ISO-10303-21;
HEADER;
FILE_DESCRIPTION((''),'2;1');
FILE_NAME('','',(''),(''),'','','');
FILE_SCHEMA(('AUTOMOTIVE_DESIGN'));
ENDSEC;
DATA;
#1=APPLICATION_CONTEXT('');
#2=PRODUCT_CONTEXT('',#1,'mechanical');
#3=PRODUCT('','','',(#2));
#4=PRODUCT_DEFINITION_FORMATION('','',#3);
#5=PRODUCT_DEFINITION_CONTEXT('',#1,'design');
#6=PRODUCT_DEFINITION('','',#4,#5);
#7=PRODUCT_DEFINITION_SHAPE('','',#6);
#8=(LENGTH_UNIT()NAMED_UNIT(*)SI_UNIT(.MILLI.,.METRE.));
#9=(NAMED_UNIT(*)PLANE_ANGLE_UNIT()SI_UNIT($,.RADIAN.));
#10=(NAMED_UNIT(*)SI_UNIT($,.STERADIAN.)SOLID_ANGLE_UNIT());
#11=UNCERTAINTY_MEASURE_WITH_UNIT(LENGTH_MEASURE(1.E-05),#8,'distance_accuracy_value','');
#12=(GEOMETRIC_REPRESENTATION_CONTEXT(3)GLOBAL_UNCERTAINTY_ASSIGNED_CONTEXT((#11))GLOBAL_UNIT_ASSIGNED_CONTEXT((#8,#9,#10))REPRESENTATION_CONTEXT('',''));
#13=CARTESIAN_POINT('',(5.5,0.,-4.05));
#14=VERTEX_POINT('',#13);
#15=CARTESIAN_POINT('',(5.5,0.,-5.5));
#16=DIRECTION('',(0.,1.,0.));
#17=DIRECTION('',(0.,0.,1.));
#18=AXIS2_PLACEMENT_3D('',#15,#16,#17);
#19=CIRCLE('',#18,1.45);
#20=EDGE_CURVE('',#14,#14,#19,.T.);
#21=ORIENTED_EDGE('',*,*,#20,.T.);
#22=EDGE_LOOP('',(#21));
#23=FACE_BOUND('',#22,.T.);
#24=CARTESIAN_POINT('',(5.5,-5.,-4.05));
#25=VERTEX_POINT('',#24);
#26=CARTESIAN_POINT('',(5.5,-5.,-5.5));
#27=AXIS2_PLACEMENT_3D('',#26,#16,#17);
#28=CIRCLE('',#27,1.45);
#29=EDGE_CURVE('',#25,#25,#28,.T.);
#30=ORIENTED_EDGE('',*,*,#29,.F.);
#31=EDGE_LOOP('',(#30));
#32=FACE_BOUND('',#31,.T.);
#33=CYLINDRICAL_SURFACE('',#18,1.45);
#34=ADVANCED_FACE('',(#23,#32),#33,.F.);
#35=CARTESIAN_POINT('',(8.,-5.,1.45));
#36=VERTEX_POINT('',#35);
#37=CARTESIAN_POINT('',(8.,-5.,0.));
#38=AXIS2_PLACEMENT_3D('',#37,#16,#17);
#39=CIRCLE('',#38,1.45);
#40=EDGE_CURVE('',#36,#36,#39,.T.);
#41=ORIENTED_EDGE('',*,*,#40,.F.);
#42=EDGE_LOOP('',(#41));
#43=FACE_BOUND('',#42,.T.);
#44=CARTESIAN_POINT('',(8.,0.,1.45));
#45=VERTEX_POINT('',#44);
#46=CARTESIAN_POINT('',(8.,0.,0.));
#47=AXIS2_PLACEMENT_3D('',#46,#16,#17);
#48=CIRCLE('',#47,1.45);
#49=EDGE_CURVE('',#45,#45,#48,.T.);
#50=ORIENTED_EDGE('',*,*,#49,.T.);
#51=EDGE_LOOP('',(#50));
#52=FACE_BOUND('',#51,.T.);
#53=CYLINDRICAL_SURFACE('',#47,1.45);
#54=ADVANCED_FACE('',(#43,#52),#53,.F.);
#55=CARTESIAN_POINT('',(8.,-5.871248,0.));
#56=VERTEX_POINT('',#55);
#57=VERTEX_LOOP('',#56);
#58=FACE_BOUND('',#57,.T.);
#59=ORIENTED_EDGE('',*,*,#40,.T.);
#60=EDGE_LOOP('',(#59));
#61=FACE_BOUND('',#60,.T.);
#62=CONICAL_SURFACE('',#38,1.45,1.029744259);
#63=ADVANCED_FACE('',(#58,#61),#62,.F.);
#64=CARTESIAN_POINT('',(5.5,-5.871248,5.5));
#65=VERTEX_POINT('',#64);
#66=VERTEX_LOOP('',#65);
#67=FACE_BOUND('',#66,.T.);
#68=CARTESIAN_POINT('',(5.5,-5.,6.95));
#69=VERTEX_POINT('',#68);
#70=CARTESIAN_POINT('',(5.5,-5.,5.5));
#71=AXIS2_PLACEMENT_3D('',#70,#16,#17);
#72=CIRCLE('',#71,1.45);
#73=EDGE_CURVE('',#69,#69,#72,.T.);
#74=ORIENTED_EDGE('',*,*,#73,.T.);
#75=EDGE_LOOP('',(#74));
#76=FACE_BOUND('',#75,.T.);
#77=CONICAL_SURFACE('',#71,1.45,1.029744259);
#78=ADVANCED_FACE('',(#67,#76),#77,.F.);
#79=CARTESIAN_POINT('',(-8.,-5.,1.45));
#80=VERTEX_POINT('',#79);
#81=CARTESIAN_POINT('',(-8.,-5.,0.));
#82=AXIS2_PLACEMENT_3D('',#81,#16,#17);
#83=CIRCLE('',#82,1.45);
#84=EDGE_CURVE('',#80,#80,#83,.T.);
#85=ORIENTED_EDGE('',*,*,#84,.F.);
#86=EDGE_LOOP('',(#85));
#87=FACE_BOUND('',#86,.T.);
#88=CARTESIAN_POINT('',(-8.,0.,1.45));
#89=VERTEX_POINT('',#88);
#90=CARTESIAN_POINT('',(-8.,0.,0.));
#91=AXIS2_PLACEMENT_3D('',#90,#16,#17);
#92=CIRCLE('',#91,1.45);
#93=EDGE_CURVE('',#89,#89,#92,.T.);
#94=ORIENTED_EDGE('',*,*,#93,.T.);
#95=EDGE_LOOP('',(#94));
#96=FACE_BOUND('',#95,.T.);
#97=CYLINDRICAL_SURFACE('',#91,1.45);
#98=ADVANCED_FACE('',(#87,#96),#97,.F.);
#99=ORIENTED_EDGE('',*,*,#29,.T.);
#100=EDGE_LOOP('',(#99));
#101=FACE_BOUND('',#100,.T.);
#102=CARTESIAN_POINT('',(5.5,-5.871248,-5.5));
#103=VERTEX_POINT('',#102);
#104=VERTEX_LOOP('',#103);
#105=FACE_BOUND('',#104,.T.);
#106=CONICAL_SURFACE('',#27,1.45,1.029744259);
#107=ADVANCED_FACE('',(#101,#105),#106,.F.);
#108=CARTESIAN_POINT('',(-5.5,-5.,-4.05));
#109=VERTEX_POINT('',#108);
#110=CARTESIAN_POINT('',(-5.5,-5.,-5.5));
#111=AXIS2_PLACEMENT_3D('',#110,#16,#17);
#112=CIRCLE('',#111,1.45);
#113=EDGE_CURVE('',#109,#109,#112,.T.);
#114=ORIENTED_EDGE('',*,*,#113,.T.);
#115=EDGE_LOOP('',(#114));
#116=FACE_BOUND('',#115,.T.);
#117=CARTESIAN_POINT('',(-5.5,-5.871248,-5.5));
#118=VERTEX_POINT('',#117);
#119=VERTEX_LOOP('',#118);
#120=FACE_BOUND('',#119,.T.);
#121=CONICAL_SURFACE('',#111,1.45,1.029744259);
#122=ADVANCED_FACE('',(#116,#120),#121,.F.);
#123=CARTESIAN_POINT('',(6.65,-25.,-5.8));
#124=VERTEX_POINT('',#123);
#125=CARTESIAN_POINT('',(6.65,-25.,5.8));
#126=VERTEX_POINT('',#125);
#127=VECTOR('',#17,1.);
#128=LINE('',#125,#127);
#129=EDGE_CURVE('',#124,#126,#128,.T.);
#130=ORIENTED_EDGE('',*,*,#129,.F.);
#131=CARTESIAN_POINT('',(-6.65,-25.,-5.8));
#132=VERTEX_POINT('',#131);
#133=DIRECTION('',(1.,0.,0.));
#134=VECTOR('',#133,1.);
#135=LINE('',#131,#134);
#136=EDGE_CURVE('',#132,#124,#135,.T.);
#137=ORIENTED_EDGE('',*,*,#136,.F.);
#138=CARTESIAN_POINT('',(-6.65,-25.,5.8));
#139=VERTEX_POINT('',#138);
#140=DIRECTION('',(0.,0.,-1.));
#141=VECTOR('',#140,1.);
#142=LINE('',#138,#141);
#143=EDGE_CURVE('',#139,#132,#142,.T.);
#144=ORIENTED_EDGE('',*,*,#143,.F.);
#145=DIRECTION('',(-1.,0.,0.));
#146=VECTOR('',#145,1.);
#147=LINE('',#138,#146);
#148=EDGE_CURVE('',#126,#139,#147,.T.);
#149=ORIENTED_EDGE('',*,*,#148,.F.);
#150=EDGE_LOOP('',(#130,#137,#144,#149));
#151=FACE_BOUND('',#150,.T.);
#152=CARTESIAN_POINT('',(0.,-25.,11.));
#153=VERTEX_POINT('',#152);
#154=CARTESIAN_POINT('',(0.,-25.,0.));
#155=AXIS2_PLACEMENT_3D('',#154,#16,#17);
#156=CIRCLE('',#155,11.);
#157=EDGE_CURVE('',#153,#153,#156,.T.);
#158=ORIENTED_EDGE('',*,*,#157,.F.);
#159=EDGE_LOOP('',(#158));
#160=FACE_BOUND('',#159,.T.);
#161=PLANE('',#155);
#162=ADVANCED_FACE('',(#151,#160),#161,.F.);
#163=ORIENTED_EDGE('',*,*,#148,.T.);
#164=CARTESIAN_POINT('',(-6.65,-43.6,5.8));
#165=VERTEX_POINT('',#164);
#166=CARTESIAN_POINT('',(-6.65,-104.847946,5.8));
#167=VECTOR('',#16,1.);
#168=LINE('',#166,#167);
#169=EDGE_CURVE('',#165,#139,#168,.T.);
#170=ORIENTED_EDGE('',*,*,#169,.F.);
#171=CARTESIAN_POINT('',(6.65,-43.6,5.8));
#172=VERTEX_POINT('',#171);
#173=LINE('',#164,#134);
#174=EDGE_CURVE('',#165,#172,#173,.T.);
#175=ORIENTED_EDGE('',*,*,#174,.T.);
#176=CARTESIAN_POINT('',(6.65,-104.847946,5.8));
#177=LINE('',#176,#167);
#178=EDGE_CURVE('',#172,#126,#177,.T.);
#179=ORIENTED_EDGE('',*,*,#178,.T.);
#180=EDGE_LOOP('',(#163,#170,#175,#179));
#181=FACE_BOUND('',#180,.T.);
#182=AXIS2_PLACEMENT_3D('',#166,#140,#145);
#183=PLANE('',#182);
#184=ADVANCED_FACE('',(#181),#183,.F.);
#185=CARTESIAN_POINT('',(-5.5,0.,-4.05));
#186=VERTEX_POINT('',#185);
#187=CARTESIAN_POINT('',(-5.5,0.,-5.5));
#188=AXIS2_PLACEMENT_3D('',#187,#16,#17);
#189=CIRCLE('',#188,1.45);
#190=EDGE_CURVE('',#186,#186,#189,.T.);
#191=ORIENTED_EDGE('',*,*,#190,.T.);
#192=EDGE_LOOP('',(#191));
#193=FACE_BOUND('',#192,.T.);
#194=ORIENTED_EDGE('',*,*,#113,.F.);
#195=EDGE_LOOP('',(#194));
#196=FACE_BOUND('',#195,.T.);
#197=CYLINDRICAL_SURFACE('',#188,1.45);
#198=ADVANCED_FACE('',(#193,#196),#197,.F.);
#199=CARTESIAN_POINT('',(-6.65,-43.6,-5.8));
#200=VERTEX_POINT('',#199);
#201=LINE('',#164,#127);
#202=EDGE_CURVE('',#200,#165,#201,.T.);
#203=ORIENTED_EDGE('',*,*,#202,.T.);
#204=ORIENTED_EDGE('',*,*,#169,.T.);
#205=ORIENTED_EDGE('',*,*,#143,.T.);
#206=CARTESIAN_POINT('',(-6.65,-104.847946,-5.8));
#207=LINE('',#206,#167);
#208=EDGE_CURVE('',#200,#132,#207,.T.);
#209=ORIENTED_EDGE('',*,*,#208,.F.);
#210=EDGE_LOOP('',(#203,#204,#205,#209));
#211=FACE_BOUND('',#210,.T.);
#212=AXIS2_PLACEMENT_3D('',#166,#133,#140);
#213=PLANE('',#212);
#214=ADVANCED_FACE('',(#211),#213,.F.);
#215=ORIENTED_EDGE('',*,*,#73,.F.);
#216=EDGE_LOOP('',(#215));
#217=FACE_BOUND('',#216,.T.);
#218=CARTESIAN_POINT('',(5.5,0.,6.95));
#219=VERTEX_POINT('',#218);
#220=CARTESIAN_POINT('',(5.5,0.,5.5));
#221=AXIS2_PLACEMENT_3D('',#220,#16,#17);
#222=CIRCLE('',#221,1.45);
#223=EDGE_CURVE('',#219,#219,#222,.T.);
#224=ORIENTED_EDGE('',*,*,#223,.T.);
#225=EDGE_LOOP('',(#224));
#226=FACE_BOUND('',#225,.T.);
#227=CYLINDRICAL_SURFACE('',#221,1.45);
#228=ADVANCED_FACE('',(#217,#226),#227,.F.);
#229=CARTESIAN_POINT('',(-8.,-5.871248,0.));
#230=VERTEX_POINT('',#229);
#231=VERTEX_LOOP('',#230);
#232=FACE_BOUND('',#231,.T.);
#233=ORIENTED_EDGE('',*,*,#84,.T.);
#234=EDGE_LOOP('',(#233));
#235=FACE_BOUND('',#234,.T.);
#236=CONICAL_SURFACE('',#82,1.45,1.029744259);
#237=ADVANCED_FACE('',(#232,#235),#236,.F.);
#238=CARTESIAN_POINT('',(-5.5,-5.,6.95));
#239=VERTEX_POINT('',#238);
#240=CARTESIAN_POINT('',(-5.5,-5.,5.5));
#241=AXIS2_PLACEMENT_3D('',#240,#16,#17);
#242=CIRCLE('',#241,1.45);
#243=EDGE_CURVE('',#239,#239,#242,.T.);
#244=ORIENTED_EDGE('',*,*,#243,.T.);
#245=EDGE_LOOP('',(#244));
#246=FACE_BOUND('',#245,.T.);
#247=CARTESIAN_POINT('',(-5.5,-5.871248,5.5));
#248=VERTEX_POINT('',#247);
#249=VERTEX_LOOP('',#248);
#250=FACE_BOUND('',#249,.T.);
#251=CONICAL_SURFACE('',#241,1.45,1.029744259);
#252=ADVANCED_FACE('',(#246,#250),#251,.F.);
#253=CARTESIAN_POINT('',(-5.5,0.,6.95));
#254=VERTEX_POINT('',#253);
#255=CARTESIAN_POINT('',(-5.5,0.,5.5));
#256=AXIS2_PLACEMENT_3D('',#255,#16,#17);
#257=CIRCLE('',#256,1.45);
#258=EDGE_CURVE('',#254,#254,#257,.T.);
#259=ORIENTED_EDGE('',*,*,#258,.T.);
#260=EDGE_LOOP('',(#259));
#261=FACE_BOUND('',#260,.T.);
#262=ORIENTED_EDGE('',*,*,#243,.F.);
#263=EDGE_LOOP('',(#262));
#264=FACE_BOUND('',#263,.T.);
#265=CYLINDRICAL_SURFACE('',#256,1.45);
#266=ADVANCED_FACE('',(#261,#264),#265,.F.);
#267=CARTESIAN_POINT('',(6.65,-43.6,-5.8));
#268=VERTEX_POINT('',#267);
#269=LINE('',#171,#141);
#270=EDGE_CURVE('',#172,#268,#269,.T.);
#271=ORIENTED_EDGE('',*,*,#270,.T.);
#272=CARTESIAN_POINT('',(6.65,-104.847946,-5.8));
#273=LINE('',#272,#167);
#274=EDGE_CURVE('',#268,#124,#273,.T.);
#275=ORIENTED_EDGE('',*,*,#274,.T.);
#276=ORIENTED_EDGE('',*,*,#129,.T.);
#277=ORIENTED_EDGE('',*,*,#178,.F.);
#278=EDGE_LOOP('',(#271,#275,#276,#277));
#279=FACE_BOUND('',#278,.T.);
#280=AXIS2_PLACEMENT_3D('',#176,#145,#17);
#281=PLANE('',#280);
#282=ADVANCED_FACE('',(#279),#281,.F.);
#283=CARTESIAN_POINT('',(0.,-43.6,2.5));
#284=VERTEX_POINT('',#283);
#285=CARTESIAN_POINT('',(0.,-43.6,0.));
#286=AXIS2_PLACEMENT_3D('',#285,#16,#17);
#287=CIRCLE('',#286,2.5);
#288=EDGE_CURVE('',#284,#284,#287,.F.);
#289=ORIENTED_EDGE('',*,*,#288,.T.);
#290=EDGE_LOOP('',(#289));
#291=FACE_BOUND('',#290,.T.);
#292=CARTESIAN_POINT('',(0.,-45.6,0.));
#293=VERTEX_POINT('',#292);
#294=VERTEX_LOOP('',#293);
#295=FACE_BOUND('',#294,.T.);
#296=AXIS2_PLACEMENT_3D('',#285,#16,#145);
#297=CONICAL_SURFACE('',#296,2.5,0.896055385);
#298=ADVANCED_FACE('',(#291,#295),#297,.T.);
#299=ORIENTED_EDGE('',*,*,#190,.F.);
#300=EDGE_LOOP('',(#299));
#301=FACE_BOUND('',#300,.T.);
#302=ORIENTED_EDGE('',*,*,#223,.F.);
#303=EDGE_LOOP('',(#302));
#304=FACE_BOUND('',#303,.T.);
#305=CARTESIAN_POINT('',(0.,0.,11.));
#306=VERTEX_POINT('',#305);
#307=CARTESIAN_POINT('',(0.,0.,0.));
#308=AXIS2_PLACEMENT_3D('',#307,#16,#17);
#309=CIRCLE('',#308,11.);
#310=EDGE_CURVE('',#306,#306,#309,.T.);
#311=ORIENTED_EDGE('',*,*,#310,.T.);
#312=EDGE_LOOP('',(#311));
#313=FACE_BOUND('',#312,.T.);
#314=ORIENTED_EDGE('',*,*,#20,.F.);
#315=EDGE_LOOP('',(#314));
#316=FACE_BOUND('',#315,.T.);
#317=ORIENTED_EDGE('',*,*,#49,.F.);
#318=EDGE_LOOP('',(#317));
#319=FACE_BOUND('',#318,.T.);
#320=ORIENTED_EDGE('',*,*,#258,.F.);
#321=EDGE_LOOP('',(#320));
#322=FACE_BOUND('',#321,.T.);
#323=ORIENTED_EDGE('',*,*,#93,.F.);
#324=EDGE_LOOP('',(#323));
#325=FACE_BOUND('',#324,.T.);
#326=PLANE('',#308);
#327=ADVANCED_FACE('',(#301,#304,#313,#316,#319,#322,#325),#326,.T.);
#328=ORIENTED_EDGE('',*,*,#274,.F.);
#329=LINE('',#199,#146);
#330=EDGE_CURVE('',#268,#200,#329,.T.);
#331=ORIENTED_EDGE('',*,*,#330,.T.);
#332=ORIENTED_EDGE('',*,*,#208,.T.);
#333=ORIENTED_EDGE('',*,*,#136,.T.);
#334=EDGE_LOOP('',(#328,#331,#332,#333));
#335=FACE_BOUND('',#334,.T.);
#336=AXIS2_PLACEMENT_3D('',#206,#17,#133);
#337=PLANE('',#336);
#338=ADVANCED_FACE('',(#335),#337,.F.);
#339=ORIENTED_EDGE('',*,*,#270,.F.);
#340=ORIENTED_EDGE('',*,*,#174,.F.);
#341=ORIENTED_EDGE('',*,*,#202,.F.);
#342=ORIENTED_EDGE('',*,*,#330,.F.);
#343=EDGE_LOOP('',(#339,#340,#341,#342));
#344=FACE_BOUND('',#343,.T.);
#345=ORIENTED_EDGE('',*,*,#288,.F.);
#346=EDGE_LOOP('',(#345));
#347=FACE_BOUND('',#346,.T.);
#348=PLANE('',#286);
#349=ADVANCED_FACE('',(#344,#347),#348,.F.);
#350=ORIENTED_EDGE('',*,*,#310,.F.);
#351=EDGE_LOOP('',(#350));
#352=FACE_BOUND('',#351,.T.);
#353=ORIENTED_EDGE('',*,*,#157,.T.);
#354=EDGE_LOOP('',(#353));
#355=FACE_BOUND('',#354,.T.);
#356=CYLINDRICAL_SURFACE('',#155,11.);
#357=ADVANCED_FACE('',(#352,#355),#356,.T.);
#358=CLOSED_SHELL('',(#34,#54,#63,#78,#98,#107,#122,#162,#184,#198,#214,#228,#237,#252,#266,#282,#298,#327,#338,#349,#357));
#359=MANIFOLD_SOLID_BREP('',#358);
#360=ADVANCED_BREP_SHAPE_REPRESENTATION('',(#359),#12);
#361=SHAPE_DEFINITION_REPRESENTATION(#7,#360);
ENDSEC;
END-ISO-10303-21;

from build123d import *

# Parameters (mm, degrees)
SKETCH2_R                  = 11
BOSS_EXTRUDE1_DEPTH        = 25
SKETCH3_W                  = 13.3
SKETCH3_H                  = 11.6
BOSS_EXTRUDE2_DEPTH        = 18.6
M2_5_CLEARANCE_HOLE1_D     = 2.9
M2_5_CLEARANCE_HOLE1_DEPTH = 5
M2_5_CLEARANCE_HOLE1_TIP   = 0.871247898


with BuildPart() as part:
    # Sketch2 → Boss-Extrude1 (new body)
    with BuildSketch(Plane(origin=(0, 0, 0), x_dir=(1, 0, 0), z_dir=(0, 1, 0))):
        with Locations(Location((0, 0, 0), (0, 0, 270))):
            Circle(SKETCH2_R)
    extrude(amount=-BOSS_EXTRUDE1_DEPTH)

    # Sketch3 → Boss-Extrude2 (add)
    with BuildSketch(Plane.XZ.offset(25)):
        Rectangle(SKETCH3_W, SKETCH3_H)
    extrude(amount=BOSS_EXTRUDE2_DEPTH)

    # Sketch4 → Revolve1 (revolve)
    with BuildSketch(Plane.XY):
        Polygon((-2.5, -43.6), (0, -45.6), (0, -43.6), align=None)
    revolve(axis=Axis((0, -45.6, 0), (0, 1, 0)))

    # M2.5 Clearance Hole1
    with Locations(Plane(origin=(0, 0, 0), x_dir=(1, 0, 0), z_dir=(0, 1, 0))):
        with Locations((-5.5, 5.5), (5.5, -5.5), (-5.5, -5.5), (5.5, 5.5), (8, 0), (-8, 0)):
            Hole(M2_5_CLEARANCE_HOLE1_D / 2, depth=M2_5_CLEARANCE_HOLE1_DEPTH)
            with Locations((0, 0, -(M2_5_CLEARANCE_HOLE1_DEPTH + M2_5_CLEARANCE_HOLE1_TIP / 2))):  # 118° drill point
                Cone(0, M2_5_CLEARANCE_HOLE1_D / 2, M2_5_CLEARANCE_HOLE1_TIP, mode=Mode.SUBTRACT)


solid = part.part
